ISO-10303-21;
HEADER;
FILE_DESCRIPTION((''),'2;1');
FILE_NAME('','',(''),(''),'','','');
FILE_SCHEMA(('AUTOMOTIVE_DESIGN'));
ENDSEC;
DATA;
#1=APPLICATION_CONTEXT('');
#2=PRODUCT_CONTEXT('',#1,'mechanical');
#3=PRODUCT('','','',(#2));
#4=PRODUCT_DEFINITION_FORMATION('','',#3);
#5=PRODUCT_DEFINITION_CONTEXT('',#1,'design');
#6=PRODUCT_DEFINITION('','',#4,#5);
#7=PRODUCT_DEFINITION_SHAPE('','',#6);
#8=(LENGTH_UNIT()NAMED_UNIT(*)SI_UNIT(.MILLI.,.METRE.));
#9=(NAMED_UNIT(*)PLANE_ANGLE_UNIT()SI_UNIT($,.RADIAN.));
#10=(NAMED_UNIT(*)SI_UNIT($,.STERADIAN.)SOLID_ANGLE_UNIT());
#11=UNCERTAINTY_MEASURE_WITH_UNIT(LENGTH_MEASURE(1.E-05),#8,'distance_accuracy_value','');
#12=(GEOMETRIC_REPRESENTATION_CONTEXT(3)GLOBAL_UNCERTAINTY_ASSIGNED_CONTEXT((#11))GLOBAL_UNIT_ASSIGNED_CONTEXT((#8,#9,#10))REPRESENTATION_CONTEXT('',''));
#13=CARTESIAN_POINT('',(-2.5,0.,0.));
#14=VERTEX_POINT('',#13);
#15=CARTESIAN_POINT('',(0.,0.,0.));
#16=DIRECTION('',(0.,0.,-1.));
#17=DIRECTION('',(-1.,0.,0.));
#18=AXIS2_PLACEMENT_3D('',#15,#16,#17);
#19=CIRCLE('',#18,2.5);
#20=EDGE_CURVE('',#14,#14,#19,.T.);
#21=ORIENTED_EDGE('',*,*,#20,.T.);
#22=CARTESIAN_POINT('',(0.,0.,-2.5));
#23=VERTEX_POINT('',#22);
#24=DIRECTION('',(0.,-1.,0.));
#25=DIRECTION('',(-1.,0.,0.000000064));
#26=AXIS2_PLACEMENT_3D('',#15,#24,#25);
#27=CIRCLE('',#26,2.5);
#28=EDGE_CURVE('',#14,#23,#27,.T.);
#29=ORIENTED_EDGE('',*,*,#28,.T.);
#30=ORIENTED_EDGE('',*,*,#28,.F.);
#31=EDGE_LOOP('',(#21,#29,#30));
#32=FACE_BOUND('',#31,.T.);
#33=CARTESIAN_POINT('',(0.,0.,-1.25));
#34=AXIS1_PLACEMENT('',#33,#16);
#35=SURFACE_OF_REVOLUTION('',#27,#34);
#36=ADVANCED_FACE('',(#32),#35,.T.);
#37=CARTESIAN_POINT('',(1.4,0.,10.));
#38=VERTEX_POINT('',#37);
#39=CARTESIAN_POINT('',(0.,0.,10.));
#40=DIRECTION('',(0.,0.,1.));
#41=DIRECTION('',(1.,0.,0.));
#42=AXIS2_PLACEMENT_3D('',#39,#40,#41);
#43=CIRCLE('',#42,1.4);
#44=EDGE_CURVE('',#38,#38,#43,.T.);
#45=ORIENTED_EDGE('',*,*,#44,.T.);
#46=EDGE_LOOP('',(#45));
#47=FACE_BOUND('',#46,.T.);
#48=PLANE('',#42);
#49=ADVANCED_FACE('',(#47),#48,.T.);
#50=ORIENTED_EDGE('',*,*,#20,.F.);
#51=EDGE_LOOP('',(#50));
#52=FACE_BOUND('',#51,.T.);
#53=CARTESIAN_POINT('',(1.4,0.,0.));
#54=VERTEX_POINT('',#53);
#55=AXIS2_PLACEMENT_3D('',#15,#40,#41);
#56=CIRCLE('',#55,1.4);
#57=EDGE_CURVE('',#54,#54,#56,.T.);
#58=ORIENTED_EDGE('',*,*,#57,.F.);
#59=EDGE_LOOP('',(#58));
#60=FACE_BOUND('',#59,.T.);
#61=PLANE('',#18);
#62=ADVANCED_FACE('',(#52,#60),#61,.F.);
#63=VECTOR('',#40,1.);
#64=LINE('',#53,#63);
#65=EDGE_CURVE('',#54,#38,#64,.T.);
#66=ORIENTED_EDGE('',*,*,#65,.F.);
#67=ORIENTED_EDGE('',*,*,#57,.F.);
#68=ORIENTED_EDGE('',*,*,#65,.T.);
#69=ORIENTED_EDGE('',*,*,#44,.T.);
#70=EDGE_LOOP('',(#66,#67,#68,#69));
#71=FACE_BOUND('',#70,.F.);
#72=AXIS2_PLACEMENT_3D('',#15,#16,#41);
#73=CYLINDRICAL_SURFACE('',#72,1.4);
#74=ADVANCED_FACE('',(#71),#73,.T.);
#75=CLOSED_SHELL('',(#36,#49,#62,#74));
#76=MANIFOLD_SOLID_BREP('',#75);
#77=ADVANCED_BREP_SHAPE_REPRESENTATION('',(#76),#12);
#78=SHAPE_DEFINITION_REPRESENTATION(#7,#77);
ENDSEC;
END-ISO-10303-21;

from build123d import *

# Parameters (mm, degrees)
F0_R     = 1.4
F1_DEPTH = 10


with BuildPart() as f1:
    # F0 (on Top) → F1 (new body)
    with BuildSketch(Plane.XY):
        Circle(F0_R)
    extrude(amount=F1_DEPTH)

    # F2 (on Front) → F3 (revolve)
    with BuildSketch(Plane.XZ):
        with BuildLine():
            Line((0, 0), (-2.5, 0))
            ThreePointArc((-2.5, 0), (-1.767767, -1.767767), (0, -2.5))
            Line((0, -2.5), (0, 0))
        make_face()
    revolve(axis=Axis((0, 0, -1.25), (0, 0, -1)))


solid = f1.part
